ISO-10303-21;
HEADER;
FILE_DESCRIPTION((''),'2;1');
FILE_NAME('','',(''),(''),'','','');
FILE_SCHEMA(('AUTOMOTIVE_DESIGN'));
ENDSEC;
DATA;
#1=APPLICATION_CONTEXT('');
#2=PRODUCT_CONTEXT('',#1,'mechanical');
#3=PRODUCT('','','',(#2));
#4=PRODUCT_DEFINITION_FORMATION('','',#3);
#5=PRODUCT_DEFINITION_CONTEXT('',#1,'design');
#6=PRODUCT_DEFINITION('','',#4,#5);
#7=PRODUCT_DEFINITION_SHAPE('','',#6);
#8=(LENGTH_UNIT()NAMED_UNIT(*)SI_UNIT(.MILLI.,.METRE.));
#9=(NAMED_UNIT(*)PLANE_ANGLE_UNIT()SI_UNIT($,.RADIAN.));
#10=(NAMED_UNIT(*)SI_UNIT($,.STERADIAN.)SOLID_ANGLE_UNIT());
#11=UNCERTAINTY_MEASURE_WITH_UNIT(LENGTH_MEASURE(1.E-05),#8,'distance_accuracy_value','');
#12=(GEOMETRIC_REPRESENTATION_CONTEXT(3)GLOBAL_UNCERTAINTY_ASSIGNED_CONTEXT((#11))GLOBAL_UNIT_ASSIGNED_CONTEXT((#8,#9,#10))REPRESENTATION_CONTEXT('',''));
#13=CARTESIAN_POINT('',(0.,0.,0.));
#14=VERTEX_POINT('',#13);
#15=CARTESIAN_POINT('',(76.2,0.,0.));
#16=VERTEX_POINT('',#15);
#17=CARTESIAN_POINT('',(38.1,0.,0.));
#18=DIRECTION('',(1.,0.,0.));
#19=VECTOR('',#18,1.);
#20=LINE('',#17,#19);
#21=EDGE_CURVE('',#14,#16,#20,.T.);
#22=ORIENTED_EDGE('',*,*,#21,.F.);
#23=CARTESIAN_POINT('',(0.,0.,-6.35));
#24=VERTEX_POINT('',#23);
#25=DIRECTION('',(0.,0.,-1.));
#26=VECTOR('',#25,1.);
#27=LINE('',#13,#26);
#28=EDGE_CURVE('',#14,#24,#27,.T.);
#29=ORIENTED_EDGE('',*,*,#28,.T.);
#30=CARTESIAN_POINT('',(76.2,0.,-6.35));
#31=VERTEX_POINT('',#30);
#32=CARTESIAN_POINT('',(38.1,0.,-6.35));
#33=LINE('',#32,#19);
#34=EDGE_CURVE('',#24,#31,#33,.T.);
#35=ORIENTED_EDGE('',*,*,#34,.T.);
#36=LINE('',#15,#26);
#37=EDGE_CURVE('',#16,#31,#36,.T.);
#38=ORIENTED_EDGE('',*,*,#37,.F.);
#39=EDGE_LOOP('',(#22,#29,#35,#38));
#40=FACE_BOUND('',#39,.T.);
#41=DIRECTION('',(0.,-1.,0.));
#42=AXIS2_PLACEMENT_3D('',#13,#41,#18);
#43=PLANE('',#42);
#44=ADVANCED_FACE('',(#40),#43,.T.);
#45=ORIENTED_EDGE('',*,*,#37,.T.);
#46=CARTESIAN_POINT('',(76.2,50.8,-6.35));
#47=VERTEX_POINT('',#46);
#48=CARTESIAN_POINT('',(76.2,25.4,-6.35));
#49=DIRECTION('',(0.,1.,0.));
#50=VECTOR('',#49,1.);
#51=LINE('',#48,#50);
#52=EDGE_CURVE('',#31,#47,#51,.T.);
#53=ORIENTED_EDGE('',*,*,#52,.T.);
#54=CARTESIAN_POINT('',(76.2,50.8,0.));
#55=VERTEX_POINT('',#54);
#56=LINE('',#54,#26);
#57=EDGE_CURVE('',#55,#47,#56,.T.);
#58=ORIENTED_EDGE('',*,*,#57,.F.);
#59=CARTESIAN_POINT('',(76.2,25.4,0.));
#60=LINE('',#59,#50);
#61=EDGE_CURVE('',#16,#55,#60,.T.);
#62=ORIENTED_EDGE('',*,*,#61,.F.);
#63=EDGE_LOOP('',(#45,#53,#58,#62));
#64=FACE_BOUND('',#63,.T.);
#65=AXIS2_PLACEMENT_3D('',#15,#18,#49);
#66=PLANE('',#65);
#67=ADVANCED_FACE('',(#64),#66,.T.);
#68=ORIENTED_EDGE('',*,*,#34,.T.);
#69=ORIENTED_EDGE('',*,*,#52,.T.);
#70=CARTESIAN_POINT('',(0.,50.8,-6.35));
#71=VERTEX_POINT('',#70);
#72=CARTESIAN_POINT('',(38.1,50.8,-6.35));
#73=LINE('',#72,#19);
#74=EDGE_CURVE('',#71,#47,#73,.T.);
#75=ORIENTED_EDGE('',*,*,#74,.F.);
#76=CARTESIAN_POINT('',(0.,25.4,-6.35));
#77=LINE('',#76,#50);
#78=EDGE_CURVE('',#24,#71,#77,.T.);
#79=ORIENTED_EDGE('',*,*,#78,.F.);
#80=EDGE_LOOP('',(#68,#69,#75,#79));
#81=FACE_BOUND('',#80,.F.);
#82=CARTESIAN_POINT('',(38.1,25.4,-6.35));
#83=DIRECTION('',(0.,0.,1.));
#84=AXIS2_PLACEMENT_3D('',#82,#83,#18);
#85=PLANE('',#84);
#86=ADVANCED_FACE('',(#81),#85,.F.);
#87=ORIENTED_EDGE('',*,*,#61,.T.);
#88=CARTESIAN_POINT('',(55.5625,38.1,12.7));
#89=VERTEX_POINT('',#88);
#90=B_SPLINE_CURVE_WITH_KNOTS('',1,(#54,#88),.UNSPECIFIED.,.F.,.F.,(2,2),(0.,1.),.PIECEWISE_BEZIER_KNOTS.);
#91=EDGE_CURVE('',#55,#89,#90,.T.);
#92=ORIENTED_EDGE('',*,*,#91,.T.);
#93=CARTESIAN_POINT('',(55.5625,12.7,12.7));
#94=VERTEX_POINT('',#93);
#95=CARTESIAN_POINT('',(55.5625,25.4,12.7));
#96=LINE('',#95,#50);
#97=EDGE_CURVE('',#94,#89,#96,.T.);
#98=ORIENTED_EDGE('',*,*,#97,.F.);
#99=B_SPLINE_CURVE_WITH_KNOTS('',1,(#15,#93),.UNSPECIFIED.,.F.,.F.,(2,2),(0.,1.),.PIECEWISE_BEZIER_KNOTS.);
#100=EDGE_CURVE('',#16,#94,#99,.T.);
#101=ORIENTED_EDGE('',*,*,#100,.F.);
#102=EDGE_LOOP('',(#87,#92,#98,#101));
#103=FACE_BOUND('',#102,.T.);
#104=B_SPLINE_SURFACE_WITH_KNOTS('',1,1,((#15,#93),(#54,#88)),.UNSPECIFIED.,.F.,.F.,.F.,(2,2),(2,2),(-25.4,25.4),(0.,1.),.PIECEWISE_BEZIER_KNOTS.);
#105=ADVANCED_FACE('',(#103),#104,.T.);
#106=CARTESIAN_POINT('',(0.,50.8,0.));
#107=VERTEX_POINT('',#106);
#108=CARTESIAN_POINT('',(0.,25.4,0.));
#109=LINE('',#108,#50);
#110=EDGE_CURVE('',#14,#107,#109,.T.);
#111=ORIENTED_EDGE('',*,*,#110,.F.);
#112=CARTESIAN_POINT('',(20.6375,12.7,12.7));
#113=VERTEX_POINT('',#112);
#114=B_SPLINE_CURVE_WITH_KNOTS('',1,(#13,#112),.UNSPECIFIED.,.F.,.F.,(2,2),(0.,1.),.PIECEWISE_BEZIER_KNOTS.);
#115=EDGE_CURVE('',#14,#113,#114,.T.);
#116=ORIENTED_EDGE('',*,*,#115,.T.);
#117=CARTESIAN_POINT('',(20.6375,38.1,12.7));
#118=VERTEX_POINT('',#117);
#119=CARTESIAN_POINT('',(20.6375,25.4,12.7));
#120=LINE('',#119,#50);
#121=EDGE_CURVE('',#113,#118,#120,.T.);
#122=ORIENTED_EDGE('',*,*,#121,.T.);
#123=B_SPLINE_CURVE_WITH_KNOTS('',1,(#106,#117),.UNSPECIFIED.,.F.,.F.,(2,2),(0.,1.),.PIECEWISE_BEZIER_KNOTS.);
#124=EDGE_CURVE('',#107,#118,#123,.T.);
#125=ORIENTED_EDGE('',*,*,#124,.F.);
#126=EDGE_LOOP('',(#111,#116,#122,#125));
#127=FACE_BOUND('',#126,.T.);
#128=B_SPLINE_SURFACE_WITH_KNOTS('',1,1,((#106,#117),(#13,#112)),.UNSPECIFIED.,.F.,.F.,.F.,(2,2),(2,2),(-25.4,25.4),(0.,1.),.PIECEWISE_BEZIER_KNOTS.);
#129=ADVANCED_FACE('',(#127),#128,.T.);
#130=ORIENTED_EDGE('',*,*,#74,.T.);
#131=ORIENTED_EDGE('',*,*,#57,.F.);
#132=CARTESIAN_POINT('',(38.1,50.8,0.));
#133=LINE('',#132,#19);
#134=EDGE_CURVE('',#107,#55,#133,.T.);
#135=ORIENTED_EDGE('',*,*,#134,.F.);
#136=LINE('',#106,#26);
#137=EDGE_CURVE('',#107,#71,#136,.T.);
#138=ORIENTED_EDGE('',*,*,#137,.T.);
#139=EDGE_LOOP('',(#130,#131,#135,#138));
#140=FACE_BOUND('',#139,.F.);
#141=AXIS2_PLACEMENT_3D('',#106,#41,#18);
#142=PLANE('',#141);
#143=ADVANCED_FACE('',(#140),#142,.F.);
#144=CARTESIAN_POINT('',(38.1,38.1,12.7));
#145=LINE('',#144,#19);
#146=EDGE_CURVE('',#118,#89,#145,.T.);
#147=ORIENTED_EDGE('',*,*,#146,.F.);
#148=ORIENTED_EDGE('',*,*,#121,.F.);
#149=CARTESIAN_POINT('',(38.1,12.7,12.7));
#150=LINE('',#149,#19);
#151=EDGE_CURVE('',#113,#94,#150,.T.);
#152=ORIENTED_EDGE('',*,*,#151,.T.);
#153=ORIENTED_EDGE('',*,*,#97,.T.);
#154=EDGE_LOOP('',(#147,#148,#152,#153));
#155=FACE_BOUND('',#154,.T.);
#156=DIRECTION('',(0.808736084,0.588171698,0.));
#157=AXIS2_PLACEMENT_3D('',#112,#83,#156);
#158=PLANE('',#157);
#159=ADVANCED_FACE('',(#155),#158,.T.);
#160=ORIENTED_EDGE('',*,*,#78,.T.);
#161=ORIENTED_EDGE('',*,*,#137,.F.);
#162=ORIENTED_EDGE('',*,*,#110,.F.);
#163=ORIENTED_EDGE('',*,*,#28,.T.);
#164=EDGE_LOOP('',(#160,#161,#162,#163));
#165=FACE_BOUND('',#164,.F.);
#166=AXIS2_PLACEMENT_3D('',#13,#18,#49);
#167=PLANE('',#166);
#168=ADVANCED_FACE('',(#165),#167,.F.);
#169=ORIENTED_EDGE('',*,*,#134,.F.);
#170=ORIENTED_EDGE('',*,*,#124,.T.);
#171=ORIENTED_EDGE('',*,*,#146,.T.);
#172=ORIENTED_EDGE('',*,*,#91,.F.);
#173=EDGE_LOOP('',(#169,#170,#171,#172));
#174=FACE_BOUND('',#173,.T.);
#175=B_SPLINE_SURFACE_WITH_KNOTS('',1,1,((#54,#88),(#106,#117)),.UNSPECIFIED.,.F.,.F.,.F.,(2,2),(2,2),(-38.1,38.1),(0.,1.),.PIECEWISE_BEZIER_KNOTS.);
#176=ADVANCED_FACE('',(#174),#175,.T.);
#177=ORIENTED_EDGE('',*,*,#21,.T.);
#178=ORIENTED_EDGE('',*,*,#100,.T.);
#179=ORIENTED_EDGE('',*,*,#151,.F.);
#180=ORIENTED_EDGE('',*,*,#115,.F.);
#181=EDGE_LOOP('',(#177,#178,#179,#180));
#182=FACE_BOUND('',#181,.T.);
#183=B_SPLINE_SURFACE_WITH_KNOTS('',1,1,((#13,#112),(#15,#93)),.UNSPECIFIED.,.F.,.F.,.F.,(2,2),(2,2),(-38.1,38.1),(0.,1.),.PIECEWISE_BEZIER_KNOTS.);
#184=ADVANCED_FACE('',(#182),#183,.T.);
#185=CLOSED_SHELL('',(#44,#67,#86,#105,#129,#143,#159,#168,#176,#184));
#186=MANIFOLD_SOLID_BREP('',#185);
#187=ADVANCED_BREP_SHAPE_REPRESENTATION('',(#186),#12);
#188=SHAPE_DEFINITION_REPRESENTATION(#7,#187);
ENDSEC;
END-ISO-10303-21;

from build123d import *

# Parameters (mm, degrees)
F0_W      = 76.2
F0_H      = 50.8
F1_DEPTH  = 6.35
F1_FACE_W = 76.2
F1_FACE_H = 50.8
F3_W      = 34.925
F3_H      = 25.4


with BuildPart() as f1:
    # F0 (on Top) → F1 (new body)
    with BuildSketch(Plane.XY):
        with Locations((38.1, 25.4)):
            Rectangle(F0_W, F0_H)
    extrude(amount=-F1_DEPTH)

    # F1_face (on face) → F4 section 0
    with BuildSketch(Plane(origin=(38.1, 25.4, 0), x_dir=(1, 0, 0), z_dir=(0, 0, 1))):
        Rectangle(F1_FACE_W, F1_FACE_H)
    # F3 (on offset) → F4 section 1
    with BuildSketch(Plane.XY.offset(12.7)):
        with Locations((38.1, 25.4)):
            Rectangle(F3_W, F3_H)
    loft()


solid = f1.part
